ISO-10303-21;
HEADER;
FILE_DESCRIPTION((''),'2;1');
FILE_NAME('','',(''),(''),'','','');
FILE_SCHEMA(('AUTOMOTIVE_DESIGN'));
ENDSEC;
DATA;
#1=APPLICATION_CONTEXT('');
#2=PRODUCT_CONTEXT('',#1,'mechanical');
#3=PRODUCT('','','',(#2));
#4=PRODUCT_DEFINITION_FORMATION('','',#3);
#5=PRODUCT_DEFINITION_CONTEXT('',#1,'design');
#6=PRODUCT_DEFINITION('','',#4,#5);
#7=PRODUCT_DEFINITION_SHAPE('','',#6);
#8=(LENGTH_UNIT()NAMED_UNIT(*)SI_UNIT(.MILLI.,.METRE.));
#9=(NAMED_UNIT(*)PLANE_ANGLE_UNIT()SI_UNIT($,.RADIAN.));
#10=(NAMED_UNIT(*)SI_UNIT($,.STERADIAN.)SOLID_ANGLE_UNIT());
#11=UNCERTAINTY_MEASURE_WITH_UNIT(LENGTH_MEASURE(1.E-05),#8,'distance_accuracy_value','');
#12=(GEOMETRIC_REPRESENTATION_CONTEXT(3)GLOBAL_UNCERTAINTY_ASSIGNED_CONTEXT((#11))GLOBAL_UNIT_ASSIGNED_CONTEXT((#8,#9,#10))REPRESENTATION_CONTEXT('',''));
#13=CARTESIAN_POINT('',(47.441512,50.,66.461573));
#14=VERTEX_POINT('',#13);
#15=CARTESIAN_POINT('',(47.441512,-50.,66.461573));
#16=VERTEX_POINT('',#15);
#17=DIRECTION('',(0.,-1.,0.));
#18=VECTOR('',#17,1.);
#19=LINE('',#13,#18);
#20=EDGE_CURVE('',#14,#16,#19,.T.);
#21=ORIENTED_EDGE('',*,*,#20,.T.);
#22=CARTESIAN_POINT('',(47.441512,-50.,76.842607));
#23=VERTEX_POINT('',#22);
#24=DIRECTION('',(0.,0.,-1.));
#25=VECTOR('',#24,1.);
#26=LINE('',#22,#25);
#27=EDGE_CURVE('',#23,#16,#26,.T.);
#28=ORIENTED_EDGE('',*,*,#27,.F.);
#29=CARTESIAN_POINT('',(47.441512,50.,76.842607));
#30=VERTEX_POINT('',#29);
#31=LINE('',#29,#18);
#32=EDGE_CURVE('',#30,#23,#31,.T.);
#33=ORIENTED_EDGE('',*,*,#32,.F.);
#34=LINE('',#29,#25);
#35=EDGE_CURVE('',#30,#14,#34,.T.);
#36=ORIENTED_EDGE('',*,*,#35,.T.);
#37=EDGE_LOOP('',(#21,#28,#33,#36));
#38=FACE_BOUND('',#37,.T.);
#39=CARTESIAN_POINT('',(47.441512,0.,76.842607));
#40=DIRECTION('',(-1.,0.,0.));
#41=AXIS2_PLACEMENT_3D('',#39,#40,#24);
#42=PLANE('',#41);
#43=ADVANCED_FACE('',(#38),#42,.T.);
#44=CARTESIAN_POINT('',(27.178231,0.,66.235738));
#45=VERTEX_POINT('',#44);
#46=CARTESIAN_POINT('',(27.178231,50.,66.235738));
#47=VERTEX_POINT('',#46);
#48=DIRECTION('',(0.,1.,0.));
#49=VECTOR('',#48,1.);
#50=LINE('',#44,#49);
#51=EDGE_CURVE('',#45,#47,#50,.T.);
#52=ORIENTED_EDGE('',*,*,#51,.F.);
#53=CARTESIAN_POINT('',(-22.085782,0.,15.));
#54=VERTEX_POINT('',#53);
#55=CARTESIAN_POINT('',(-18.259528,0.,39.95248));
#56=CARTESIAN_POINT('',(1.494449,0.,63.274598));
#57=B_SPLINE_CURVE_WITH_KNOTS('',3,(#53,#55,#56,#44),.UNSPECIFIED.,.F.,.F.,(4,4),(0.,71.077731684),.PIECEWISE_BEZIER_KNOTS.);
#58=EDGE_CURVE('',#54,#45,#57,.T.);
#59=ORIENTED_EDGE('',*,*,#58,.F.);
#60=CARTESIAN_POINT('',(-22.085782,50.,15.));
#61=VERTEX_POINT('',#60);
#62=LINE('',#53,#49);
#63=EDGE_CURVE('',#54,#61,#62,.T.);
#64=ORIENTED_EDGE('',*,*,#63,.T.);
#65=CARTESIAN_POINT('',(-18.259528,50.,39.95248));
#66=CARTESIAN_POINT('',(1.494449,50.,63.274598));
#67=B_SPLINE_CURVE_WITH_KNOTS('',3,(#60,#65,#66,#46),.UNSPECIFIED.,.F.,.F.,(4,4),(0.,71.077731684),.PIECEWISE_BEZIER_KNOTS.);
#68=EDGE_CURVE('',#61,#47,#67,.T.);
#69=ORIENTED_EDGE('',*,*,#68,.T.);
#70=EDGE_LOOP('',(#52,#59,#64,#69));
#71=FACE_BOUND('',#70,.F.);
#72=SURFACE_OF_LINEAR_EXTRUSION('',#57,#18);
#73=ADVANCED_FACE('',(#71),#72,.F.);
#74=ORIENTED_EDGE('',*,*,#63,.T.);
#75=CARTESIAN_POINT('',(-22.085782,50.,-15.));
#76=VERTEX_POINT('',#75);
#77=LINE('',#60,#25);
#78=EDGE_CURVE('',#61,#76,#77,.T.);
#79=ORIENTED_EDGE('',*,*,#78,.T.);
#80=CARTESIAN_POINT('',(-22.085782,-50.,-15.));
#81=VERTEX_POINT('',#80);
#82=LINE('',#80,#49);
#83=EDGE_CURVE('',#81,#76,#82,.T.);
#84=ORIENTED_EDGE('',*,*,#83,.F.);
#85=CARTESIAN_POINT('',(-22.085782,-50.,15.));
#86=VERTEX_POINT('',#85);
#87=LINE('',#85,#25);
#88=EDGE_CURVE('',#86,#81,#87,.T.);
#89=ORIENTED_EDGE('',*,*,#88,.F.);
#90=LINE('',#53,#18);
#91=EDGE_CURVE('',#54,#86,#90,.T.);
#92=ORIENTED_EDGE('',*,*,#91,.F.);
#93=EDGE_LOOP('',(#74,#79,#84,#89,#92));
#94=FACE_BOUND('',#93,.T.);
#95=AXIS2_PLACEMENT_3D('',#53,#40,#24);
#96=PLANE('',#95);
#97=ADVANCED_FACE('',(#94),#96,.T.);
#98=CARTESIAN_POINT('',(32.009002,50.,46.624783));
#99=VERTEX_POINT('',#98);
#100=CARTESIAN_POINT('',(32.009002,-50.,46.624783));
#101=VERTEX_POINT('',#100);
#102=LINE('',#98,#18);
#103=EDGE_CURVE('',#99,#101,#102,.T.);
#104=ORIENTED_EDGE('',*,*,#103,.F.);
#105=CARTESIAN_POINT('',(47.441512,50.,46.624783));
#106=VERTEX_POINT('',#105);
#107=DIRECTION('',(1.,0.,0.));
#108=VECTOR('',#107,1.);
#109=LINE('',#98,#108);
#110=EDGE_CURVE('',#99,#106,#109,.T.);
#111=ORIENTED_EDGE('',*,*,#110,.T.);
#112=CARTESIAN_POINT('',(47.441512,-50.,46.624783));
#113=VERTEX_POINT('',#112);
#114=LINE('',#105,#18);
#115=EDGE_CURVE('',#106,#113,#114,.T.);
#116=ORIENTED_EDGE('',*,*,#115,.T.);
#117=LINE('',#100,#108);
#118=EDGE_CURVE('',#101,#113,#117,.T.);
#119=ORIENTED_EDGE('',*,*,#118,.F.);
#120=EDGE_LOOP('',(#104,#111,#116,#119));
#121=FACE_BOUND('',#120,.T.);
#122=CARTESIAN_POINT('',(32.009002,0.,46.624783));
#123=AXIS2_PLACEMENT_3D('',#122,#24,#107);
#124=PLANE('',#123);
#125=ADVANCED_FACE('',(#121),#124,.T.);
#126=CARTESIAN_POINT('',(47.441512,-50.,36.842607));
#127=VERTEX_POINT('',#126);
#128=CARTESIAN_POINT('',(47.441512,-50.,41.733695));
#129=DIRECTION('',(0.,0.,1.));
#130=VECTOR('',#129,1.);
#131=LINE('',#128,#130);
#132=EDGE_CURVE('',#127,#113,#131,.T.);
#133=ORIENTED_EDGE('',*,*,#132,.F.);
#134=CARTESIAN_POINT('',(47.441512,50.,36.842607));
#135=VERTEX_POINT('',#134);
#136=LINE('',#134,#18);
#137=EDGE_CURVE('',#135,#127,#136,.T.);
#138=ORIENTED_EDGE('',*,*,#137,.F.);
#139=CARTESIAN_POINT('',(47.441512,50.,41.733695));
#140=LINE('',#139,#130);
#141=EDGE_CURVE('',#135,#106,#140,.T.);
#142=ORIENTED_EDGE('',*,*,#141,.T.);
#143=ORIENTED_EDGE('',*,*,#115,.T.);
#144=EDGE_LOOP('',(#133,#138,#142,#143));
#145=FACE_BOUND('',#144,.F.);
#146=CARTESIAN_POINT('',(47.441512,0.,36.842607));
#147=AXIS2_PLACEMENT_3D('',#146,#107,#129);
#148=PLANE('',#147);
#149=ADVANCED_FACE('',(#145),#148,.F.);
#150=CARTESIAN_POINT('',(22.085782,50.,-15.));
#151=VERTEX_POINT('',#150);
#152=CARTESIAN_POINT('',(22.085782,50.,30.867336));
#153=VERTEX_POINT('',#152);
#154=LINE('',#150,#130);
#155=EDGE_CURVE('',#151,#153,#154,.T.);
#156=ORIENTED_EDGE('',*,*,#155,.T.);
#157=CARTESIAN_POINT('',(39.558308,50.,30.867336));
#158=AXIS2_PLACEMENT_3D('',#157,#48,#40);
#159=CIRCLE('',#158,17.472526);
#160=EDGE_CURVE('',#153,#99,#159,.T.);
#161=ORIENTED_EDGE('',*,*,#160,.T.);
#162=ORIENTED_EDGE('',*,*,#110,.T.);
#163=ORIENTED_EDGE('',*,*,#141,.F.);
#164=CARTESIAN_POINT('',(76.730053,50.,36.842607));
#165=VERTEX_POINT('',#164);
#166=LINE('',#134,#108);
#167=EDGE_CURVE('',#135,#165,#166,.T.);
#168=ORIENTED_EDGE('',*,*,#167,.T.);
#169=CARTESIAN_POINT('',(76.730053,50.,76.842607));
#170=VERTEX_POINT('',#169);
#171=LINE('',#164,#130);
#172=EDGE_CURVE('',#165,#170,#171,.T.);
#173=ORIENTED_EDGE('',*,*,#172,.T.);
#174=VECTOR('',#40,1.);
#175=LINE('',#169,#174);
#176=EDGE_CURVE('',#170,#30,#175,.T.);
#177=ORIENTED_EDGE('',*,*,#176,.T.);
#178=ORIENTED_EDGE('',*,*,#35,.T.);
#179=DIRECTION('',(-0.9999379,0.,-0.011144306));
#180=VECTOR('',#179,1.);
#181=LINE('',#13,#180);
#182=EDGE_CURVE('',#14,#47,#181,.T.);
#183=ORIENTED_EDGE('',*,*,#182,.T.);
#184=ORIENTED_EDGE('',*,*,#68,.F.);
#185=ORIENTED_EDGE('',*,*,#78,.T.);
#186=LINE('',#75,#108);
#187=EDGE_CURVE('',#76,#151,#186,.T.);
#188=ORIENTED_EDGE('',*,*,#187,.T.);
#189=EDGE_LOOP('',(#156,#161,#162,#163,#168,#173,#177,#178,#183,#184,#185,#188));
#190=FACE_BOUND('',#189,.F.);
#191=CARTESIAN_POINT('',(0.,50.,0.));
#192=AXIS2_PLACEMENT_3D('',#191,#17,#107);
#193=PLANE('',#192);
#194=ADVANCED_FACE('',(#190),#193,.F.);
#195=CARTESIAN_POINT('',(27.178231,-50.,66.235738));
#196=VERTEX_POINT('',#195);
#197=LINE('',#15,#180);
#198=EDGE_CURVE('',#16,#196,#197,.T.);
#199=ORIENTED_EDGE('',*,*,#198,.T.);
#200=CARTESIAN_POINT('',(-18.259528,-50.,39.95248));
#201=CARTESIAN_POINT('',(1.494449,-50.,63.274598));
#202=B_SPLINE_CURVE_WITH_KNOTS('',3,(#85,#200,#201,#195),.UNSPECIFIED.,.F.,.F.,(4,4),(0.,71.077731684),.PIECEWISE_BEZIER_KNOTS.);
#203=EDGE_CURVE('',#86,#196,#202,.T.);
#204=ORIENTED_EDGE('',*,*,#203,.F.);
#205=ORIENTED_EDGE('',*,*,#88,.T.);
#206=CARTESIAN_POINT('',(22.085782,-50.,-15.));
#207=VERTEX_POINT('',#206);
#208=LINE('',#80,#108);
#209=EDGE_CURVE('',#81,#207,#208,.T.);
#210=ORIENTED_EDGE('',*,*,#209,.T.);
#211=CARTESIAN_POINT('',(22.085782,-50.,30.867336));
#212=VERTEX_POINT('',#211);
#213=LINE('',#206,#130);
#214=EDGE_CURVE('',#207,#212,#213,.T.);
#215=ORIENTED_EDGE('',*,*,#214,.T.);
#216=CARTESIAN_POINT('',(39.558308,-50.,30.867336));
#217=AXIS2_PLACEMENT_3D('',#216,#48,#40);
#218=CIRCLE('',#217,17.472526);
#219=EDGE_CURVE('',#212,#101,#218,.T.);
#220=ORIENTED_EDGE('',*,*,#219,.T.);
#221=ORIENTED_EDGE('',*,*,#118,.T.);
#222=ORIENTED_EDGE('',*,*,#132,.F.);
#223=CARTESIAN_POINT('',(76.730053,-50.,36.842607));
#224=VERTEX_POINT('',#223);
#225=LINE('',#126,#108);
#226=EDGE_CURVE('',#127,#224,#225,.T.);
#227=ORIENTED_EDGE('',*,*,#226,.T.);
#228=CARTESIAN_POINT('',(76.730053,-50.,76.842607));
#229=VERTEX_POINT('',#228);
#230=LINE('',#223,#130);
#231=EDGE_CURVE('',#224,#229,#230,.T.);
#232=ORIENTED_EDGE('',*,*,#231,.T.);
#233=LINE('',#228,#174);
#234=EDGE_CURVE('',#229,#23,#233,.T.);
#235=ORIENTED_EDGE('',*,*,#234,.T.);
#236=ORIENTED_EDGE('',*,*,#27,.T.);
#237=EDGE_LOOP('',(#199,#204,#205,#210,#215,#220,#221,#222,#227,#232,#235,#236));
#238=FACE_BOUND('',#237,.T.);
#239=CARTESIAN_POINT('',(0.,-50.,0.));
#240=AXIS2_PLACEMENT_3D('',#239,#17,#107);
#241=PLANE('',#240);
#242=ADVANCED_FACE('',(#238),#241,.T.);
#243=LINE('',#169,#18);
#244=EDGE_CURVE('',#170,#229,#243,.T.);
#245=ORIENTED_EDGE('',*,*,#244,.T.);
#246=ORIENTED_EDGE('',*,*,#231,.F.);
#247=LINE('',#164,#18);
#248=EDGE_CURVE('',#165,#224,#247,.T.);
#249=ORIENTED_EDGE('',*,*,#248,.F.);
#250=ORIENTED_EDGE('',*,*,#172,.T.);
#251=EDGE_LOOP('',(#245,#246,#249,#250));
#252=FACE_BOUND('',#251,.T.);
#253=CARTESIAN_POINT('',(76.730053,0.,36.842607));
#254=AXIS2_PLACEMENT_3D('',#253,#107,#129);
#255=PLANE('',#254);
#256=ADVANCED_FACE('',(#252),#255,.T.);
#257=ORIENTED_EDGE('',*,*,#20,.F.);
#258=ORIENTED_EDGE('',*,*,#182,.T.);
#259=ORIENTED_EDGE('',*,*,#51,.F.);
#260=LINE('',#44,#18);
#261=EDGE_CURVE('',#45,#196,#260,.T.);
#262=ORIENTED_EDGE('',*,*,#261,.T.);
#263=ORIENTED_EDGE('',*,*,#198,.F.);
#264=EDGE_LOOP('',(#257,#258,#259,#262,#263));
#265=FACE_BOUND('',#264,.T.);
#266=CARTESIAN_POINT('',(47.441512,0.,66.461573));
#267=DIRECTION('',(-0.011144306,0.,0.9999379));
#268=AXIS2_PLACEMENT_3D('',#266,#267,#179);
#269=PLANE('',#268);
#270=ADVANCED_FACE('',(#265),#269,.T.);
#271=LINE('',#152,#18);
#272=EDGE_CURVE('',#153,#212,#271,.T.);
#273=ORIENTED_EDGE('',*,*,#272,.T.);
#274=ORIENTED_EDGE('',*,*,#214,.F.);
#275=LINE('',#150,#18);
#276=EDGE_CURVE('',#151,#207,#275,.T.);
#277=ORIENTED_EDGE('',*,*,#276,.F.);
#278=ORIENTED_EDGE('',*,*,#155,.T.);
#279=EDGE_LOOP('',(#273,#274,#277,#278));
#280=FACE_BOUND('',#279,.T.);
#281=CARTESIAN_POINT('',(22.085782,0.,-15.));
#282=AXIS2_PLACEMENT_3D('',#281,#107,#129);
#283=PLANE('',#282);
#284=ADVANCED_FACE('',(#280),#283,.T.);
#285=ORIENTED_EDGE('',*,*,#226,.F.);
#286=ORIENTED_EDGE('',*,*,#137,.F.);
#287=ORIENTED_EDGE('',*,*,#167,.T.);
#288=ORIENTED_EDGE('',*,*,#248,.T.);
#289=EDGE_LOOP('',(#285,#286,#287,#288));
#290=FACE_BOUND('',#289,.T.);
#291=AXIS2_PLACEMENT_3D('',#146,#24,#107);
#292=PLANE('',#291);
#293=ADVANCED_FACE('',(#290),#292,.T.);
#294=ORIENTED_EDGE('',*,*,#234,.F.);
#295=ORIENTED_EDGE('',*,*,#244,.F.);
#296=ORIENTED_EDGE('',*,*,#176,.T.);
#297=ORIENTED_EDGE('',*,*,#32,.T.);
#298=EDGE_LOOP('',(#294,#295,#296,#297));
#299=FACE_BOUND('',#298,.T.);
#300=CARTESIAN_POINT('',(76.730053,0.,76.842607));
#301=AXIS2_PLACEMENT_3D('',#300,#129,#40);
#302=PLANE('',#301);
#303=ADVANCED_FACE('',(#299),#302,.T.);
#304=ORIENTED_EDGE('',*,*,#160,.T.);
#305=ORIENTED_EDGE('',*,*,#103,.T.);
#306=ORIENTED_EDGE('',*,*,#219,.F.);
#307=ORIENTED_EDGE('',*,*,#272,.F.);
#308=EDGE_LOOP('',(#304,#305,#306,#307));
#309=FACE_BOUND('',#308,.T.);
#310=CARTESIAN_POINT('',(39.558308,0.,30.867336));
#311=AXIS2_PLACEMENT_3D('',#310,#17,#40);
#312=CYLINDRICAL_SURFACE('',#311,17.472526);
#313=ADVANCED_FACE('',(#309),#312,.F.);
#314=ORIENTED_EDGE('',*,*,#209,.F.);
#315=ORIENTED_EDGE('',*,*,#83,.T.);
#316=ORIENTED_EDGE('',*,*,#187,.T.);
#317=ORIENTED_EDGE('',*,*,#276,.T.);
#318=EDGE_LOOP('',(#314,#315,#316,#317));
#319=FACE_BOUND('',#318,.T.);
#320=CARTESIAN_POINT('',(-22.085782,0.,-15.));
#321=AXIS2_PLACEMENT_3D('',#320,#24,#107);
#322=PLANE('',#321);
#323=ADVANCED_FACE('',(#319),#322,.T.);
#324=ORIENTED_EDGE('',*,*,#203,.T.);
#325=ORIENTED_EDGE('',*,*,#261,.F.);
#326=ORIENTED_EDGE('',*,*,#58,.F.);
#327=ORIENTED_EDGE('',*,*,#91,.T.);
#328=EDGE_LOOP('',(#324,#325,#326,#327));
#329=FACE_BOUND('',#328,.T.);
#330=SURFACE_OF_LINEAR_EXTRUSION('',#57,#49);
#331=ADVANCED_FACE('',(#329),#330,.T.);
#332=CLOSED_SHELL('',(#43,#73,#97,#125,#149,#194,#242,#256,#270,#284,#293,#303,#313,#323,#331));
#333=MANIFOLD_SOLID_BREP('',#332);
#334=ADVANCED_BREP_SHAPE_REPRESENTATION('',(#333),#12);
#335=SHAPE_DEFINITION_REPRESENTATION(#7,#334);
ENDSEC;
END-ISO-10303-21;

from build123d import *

# Parameters (mm, degrees)
F0_W     = 14.6442702601
F0_H     = 9.7821764648
F1_DEPTH = 50


with BuildPart() as f1:
    # F0 (on Front) → F1 (new body, symmetric)
    with BuildSketch(Plane.XZ):
        Polygon((-22.085782423, -15), (22.085782423, -15), (22.085782423, 15), (2.085782423, 15), (-22.085782423, 15), align=None)
        with BuildLine():
            Line((2.085782423, 15), (22.085782423, 15))
            Line((22.085782423, 15), (22.085782423, 30.8673362147))
            ThreePointArc((22.085782423, 30.8673362147), (24.7732717973, 40.1781822638), (32.0090020645, 46.6247829795))
            Line((32.0090020645, 46.6247829795), (47.4415121628, 46.6247829795))
            Line((47.4415121628, 46.6247829795), (47.4415121628, 66.4615726127))
            Line((47.4415121628, 66.4615726127), (27.1782313574, 66.235738383))
            ThreePointArc((27.1782313574, 66.235738383), (8.9960525893, 52.5500186218), (2.085782423, 30.8673362147))
            Line((2.085782423, 30.8673362147), (2.085782423, 15))
        make_face()
        with BuildLine():
            add(Edge.make_bspline(
                [(-22.085782423, 15), (-18.2595277169, 39.9524801473), (1.4944491306, 63.2745981713), (27.1782313574, 66.235738383)],
                knots=[0, 0, 0, 0, 71.0777316845, 71.0777316845, 71.0777316845, 71.0777316845], degree=3))
            Line((-22.085782423, 15), (2.085782423, 15))
            Line((2.085782423, 15), (2.085782423, 30.8673362147))
            ThreePointArc((2.085782423, 30.8673362147), (8.9960525893, 52.5500186218), (27.1782313574, 66.235738383))
        make_face()
        Polygon((62.085782423, 66.6247829795), (47.4415121628, 66.4615726127), (47.4415121628, 46.6247829795), (62.085782423, 46.6247829795), (62.085782423, 56.8426065147), align=None)
        Polygon((47.4415121628, 76.8426065147), (47.4415121628, 66.4615726127), (62.085782423, 66.6247829795), (62.085782423, 76.8426065147), align=None)
        with Locations((54.7636472929, 41.7336947471)):
            Rectangle(F0_W, F0_H)
        Polygon((62.085782423, 76.8426065147), (62.085782423, 66.6247829795), (62.085782423, 56.8426065147), (62.085782423, 46.6247829795), (62.085782423, 36.8426065147), (76.7300526831, 36.8426065147), (76.7300526831, 76.8426065147), align=None)
    extrude(amount=F1_DEPTH, both=True)


solid = f1.part
